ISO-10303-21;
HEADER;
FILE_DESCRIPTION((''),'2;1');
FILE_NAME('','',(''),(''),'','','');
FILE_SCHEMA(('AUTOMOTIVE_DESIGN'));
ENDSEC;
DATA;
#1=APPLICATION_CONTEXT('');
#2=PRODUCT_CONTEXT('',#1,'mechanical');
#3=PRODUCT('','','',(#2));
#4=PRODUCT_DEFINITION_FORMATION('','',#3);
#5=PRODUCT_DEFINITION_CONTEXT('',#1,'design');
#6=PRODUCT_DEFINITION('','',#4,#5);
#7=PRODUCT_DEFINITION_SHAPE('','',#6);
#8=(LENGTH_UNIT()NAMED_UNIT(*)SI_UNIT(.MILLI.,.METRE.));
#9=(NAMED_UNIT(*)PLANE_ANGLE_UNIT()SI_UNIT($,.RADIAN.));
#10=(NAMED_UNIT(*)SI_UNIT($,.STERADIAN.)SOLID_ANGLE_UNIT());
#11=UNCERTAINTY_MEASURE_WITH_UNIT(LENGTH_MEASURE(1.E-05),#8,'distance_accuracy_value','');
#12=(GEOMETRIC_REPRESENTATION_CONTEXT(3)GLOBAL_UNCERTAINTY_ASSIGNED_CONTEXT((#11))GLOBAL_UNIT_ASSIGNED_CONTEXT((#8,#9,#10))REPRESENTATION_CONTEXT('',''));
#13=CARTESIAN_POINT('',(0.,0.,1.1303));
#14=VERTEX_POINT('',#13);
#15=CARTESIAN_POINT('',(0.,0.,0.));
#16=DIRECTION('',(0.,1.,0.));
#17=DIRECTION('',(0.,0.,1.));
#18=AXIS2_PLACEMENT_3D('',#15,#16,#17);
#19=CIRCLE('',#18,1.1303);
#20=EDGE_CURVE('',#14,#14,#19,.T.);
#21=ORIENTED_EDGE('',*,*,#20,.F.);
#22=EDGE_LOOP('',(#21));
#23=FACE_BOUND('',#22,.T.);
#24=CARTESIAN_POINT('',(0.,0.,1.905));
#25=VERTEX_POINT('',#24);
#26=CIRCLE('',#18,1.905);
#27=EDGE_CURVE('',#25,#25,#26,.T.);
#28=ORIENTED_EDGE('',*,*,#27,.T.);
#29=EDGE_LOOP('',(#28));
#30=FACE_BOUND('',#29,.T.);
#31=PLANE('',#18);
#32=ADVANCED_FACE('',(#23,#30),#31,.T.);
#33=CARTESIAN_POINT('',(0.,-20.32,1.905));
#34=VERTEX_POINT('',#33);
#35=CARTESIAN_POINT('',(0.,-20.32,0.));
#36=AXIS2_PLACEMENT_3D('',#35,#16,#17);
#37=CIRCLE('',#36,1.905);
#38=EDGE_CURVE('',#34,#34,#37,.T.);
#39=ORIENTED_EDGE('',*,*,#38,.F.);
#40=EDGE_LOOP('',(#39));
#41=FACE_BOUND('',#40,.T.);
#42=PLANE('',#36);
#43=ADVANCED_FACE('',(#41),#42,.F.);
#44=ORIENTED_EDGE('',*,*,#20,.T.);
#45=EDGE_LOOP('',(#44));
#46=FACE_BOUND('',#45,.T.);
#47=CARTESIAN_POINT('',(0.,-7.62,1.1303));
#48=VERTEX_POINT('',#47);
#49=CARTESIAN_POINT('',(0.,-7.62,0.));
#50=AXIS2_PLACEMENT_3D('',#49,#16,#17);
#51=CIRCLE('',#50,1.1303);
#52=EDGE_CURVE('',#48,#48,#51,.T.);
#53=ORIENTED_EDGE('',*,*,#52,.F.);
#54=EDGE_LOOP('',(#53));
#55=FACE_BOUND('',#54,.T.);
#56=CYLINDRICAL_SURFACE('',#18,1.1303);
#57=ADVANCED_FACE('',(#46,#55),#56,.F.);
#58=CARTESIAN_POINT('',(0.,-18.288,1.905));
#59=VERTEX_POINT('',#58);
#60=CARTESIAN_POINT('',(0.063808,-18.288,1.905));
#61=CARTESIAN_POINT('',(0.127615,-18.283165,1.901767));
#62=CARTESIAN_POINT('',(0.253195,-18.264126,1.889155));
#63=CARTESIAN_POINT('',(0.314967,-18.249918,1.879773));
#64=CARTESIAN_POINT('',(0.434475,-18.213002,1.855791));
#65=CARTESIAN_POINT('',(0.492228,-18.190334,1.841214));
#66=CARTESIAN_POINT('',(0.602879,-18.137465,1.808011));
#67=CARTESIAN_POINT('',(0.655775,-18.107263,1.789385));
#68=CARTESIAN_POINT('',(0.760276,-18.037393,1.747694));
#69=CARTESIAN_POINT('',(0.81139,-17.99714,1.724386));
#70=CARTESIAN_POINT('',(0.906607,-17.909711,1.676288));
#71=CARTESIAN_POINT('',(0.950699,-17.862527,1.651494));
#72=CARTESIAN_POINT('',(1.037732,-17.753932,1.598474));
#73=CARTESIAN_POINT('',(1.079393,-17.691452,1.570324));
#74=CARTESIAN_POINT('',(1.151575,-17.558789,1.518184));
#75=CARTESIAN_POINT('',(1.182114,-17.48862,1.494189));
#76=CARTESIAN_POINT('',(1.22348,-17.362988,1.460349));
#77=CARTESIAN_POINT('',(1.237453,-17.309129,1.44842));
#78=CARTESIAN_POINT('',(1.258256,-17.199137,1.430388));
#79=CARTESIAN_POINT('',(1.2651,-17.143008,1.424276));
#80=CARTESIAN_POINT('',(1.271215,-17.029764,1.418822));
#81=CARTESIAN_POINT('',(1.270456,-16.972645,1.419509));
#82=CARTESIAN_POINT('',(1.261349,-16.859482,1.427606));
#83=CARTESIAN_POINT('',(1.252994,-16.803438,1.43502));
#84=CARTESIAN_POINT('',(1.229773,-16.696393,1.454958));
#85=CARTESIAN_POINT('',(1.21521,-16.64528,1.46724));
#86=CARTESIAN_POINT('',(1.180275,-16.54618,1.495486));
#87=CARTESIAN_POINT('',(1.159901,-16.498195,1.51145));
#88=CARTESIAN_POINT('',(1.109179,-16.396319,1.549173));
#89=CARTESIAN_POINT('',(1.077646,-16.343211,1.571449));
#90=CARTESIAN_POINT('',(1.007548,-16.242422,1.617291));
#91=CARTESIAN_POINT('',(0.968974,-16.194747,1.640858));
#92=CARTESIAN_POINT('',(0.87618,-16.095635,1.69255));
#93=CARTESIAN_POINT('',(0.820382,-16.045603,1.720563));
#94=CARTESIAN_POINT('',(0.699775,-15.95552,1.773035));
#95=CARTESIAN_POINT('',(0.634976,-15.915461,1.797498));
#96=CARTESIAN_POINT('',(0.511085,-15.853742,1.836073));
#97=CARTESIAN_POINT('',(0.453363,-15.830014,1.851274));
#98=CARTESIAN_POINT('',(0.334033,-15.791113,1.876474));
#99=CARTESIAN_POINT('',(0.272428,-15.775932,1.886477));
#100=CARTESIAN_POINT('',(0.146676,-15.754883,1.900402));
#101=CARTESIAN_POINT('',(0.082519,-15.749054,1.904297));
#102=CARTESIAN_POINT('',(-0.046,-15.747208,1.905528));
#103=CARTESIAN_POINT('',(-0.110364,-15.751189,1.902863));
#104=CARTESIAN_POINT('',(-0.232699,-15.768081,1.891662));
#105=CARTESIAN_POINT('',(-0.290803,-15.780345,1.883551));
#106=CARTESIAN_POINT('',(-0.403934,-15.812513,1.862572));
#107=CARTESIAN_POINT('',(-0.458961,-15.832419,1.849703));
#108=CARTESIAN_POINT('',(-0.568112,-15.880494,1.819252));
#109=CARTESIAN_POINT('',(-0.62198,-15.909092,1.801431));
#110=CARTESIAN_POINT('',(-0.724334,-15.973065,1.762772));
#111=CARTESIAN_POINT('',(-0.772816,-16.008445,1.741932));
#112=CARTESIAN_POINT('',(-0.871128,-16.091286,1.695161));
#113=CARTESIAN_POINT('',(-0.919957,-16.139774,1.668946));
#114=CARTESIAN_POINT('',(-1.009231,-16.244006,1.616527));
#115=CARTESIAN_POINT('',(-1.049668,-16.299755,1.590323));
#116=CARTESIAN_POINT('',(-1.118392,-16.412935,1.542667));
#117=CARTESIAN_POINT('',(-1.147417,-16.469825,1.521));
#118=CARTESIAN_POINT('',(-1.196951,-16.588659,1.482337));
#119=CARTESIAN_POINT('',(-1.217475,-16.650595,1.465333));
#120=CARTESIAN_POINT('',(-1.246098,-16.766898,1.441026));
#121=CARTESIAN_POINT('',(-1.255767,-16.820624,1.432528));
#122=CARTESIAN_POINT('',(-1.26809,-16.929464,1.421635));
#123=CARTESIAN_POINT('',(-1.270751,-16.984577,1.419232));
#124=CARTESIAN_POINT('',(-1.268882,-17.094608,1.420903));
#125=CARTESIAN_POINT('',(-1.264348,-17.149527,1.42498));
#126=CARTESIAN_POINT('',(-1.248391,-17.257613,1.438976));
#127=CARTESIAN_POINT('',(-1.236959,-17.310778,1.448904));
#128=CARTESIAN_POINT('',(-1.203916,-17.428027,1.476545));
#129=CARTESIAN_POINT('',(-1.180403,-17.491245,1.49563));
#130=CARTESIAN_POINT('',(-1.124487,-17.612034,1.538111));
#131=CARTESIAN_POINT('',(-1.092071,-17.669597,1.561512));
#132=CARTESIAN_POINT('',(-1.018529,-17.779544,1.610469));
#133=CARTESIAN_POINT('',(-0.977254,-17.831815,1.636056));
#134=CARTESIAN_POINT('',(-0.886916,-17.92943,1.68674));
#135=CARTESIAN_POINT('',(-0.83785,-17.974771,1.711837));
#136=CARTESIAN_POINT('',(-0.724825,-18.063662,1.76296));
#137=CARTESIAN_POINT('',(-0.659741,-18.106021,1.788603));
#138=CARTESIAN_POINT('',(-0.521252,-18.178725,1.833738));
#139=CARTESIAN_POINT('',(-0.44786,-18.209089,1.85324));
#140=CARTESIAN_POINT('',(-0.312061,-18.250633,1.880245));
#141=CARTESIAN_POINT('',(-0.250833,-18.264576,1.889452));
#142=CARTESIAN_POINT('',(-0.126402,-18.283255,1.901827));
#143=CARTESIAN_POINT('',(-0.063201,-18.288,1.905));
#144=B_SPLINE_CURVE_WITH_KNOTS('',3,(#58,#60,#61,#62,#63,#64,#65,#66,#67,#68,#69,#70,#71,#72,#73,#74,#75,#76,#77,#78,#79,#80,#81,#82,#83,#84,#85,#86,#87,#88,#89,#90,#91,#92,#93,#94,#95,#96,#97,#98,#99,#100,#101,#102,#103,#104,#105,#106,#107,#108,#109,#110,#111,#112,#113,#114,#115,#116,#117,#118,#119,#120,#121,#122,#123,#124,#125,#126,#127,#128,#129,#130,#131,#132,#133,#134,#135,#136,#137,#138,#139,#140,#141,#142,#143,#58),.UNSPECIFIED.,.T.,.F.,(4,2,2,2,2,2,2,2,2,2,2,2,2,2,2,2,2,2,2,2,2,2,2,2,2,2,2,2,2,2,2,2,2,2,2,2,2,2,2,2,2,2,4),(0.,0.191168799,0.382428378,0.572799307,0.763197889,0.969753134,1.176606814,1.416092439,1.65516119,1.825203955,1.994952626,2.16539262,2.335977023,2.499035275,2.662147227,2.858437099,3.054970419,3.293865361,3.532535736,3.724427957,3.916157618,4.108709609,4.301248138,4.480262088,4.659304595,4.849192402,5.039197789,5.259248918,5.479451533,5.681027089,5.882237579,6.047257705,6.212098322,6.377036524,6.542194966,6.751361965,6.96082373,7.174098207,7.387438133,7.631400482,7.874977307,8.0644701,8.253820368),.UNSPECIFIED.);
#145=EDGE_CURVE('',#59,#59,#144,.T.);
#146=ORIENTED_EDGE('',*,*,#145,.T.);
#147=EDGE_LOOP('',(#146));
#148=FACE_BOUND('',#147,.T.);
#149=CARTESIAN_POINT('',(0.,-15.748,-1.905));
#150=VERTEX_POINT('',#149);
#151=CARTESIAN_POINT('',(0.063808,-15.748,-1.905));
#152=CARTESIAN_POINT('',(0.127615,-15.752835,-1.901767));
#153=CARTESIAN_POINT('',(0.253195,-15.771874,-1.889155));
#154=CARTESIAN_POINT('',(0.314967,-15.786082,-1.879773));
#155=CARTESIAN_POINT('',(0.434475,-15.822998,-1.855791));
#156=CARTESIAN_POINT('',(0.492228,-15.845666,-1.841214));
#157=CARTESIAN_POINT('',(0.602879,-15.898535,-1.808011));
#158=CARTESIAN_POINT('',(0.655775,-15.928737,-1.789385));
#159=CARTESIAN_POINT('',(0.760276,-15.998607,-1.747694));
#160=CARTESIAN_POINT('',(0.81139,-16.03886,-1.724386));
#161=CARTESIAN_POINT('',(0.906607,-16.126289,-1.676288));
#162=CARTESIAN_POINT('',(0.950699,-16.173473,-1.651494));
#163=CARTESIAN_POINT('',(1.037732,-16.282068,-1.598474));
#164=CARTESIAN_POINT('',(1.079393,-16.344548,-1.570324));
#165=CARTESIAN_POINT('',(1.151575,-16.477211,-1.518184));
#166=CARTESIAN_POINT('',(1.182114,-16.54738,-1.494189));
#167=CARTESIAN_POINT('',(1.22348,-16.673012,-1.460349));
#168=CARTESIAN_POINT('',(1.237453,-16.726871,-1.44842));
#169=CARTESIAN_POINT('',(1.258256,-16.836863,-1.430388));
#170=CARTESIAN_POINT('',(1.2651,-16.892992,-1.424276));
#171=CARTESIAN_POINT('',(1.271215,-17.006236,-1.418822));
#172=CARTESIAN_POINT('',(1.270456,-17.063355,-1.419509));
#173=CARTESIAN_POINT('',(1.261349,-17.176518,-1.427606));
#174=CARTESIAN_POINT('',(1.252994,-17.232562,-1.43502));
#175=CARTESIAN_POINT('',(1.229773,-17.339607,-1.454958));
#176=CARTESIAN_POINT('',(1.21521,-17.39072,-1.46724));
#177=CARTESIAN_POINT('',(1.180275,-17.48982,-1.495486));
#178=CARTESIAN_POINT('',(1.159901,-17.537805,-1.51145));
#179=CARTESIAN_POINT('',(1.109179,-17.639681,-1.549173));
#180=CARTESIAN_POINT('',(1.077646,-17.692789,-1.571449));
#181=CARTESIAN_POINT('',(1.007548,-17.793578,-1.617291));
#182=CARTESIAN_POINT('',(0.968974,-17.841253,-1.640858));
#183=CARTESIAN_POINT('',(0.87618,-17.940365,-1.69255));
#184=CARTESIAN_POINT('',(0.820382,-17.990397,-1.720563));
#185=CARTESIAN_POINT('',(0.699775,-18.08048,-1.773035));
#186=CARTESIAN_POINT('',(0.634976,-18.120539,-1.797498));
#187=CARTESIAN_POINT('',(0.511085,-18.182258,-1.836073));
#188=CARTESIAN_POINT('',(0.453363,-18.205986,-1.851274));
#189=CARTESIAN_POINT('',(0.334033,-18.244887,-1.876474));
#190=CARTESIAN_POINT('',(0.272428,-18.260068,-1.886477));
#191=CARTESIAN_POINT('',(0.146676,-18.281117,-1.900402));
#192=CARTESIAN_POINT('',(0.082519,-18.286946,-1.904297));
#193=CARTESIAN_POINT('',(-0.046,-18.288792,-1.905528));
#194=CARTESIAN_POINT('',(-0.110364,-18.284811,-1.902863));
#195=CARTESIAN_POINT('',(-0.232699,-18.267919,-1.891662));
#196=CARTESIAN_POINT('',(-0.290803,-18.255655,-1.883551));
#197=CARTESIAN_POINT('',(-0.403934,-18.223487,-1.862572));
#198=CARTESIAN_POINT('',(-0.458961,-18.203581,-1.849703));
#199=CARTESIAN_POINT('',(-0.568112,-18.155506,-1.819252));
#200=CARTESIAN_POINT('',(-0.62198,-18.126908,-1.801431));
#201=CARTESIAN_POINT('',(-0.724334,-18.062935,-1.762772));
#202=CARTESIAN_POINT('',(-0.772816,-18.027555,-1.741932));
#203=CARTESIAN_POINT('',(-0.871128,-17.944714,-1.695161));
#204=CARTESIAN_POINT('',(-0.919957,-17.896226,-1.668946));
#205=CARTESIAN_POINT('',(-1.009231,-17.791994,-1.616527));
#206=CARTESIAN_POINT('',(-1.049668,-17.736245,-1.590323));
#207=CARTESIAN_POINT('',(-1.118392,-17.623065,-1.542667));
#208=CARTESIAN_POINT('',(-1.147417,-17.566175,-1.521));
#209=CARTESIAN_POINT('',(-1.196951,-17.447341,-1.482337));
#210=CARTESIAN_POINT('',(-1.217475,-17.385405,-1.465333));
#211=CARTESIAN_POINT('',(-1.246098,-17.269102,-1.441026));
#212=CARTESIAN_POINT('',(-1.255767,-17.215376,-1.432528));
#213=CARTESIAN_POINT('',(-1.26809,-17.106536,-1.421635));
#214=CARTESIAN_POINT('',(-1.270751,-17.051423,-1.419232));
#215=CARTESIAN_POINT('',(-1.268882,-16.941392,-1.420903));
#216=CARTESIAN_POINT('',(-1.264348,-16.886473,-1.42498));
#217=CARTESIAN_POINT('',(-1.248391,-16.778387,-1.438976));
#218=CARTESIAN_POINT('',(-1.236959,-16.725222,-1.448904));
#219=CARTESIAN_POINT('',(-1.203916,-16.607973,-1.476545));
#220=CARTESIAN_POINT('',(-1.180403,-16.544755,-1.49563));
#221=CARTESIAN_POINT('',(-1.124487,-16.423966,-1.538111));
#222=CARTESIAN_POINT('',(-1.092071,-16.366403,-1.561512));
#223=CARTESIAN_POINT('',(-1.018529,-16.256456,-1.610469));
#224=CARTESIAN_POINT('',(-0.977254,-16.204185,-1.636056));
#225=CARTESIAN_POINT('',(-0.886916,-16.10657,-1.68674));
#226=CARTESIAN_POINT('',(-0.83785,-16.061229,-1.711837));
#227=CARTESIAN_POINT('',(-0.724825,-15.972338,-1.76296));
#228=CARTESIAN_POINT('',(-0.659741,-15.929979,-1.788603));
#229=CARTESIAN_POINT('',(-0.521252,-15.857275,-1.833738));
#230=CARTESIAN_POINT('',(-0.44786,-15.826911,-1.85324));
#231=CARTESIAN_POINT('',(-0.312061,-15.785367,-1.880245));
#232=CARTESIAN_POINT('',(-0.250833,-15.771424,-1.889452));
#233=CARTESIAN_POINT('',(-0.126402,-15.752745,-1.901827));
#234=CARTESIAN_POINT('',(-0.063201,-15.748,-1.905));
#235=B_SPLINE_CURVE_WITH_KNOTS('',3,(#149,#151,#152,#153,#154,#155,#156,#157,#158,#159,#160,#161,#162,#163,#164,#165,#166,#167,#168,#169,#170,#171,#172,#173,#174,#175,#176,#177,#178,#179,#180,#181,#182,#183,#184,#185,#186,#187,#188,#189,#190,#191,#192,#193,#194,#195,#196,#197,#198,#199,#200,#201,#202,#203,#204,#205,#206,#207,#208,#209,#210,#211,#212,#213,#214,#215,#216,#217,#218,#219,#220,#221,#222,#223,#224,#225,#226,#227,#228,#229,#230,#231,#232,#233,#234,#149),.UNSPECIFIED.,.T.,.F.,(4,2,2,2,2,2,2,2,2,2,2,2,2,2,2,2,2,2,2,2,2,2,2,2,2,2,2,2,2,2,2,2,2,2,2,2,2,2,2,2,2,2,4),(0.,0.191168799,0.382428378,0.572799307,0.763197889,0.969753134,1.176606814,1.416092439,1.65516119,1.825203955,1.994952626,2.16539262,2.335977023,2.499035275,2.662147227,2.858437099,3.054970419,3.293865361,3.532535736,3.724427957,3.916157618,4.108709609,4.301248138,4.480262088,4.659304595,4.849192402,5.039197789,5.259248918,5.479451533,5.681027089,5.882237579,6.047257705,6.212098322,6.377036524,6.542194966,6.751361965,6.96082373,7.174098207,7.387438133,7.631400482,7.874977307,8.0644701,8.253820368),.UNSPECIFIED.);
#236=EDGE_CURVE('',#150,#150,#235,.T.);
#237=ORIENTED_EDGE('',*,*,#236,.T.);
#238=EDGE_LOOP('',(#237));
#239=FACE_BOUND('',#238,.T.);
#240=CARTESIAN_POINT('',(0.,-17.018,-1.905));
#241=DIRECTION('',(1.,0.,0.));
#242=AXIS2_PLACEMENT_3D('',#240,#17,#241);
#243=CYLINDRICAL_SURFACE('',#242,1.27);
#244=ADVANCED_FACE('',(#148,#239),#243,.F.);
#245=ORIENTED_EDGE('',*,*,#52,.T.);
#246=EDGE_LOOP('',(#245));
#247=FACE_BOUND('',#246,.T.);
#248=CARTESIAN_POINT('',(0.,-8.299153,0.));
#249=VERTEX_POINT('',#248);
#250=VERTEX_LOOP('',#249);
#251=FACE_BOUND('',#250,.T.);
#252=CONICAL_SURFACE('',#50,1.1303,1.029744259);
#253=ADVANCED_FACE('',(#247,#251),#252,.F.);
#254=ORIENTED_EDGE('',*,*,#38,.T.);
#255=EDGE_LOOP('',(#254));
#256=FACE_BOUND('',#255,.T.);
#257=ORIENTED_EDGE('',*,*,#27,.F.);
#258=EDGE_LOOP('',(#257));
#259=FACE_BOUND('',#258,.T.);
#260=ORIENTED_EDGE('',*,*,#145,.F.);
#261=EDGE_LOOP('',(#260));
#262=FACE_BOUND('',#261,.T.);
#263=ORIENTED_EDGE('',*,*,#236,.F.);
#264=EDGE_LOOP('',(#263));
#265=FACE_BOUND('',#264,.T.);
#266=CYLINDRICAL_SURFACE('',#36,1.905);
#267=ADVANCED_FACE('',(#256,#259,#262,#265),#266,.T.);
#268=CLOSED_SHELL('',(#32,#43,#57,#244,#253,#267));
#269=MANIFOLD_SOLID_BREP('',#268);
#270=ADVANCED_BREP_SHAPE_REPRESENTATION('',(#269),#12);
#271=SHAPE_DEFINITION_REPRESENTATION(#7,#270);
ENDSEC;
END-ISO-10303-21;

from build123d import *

# Parameters (mm, degrees)
SKETCH1_R                 = 1.905
BOSS_EXTRUDE1_DEPTH       = 20.32
F_4_40_TAPPED_HOLE1_D     = 2.2606
F_4_40_TAPPED_HOLE1_DEPTH = 7.62
F_4_40_TAPPED_HOLE1_TIP   = 0.679152758
CUT_EXTRUDE1_DEPTH        = 21.497815737
CUT_EXTRUDE1_DEPTH_BACK   = 21.497815737
SKETCH4_R                 = 1.27


with BuildPart() as part:
    # Sketch1 → Boss-Extrude1 (new body)
    with BuildSketch(Plane(origin=(0, 0, 0), x_dir=(1, 0, 0), z_dir=(0, 1, 0))):
        with Locations(Location((0, 0, 0), (0, 0, 270))):
            Circle(SKETCH1_R)
    extrude(amount=-BOSS_EXTRUDE1_DEPTH)

    # #4-40 Tapped Hole1
    with Locations(Plane(origin=(0, 0, 0), x_dir=(1, 0, 0), z_dir=(0, 1, 0))):
        with Locations((0, 0)):
            Hole(F_4_40_TAPPED_HOLE1_D / 2, depth=F_4_40_TAPPED_HOLE1_DEPTH)
            with Locations((0, 0, -(F_4_40_TAPPED_HOLE1_DEPTH + F_4_40_TAPPED_HOLE1_TIP / 2))):  # 118° drill point
                Cone(0, F_4_40_TAPPED_HOLE1_D / 2, F_4_40_TAPPED_HOLE1_TIP, mode=Mode.SUBTRACT)

    # Sketch4 → Cut-Extrude1 (cut, two sides: drawn at the far end of the back side and taken through both)
    with BuildSketch(Plane.XY.offset(-CUT_EXTRUDE1_DEPTH_BACK)):
        with Locations(Location((0, -17.018, 0), (0, 0, 90.000000002))):
            Circle(SKETCH4_R)
    extrude(amount=CUT_EXTRUDE1_DEPTH + CUT_EXTRUDE1_DEPTH_BACK, mode=Mode.SUBTRACT)


solid = part.part
